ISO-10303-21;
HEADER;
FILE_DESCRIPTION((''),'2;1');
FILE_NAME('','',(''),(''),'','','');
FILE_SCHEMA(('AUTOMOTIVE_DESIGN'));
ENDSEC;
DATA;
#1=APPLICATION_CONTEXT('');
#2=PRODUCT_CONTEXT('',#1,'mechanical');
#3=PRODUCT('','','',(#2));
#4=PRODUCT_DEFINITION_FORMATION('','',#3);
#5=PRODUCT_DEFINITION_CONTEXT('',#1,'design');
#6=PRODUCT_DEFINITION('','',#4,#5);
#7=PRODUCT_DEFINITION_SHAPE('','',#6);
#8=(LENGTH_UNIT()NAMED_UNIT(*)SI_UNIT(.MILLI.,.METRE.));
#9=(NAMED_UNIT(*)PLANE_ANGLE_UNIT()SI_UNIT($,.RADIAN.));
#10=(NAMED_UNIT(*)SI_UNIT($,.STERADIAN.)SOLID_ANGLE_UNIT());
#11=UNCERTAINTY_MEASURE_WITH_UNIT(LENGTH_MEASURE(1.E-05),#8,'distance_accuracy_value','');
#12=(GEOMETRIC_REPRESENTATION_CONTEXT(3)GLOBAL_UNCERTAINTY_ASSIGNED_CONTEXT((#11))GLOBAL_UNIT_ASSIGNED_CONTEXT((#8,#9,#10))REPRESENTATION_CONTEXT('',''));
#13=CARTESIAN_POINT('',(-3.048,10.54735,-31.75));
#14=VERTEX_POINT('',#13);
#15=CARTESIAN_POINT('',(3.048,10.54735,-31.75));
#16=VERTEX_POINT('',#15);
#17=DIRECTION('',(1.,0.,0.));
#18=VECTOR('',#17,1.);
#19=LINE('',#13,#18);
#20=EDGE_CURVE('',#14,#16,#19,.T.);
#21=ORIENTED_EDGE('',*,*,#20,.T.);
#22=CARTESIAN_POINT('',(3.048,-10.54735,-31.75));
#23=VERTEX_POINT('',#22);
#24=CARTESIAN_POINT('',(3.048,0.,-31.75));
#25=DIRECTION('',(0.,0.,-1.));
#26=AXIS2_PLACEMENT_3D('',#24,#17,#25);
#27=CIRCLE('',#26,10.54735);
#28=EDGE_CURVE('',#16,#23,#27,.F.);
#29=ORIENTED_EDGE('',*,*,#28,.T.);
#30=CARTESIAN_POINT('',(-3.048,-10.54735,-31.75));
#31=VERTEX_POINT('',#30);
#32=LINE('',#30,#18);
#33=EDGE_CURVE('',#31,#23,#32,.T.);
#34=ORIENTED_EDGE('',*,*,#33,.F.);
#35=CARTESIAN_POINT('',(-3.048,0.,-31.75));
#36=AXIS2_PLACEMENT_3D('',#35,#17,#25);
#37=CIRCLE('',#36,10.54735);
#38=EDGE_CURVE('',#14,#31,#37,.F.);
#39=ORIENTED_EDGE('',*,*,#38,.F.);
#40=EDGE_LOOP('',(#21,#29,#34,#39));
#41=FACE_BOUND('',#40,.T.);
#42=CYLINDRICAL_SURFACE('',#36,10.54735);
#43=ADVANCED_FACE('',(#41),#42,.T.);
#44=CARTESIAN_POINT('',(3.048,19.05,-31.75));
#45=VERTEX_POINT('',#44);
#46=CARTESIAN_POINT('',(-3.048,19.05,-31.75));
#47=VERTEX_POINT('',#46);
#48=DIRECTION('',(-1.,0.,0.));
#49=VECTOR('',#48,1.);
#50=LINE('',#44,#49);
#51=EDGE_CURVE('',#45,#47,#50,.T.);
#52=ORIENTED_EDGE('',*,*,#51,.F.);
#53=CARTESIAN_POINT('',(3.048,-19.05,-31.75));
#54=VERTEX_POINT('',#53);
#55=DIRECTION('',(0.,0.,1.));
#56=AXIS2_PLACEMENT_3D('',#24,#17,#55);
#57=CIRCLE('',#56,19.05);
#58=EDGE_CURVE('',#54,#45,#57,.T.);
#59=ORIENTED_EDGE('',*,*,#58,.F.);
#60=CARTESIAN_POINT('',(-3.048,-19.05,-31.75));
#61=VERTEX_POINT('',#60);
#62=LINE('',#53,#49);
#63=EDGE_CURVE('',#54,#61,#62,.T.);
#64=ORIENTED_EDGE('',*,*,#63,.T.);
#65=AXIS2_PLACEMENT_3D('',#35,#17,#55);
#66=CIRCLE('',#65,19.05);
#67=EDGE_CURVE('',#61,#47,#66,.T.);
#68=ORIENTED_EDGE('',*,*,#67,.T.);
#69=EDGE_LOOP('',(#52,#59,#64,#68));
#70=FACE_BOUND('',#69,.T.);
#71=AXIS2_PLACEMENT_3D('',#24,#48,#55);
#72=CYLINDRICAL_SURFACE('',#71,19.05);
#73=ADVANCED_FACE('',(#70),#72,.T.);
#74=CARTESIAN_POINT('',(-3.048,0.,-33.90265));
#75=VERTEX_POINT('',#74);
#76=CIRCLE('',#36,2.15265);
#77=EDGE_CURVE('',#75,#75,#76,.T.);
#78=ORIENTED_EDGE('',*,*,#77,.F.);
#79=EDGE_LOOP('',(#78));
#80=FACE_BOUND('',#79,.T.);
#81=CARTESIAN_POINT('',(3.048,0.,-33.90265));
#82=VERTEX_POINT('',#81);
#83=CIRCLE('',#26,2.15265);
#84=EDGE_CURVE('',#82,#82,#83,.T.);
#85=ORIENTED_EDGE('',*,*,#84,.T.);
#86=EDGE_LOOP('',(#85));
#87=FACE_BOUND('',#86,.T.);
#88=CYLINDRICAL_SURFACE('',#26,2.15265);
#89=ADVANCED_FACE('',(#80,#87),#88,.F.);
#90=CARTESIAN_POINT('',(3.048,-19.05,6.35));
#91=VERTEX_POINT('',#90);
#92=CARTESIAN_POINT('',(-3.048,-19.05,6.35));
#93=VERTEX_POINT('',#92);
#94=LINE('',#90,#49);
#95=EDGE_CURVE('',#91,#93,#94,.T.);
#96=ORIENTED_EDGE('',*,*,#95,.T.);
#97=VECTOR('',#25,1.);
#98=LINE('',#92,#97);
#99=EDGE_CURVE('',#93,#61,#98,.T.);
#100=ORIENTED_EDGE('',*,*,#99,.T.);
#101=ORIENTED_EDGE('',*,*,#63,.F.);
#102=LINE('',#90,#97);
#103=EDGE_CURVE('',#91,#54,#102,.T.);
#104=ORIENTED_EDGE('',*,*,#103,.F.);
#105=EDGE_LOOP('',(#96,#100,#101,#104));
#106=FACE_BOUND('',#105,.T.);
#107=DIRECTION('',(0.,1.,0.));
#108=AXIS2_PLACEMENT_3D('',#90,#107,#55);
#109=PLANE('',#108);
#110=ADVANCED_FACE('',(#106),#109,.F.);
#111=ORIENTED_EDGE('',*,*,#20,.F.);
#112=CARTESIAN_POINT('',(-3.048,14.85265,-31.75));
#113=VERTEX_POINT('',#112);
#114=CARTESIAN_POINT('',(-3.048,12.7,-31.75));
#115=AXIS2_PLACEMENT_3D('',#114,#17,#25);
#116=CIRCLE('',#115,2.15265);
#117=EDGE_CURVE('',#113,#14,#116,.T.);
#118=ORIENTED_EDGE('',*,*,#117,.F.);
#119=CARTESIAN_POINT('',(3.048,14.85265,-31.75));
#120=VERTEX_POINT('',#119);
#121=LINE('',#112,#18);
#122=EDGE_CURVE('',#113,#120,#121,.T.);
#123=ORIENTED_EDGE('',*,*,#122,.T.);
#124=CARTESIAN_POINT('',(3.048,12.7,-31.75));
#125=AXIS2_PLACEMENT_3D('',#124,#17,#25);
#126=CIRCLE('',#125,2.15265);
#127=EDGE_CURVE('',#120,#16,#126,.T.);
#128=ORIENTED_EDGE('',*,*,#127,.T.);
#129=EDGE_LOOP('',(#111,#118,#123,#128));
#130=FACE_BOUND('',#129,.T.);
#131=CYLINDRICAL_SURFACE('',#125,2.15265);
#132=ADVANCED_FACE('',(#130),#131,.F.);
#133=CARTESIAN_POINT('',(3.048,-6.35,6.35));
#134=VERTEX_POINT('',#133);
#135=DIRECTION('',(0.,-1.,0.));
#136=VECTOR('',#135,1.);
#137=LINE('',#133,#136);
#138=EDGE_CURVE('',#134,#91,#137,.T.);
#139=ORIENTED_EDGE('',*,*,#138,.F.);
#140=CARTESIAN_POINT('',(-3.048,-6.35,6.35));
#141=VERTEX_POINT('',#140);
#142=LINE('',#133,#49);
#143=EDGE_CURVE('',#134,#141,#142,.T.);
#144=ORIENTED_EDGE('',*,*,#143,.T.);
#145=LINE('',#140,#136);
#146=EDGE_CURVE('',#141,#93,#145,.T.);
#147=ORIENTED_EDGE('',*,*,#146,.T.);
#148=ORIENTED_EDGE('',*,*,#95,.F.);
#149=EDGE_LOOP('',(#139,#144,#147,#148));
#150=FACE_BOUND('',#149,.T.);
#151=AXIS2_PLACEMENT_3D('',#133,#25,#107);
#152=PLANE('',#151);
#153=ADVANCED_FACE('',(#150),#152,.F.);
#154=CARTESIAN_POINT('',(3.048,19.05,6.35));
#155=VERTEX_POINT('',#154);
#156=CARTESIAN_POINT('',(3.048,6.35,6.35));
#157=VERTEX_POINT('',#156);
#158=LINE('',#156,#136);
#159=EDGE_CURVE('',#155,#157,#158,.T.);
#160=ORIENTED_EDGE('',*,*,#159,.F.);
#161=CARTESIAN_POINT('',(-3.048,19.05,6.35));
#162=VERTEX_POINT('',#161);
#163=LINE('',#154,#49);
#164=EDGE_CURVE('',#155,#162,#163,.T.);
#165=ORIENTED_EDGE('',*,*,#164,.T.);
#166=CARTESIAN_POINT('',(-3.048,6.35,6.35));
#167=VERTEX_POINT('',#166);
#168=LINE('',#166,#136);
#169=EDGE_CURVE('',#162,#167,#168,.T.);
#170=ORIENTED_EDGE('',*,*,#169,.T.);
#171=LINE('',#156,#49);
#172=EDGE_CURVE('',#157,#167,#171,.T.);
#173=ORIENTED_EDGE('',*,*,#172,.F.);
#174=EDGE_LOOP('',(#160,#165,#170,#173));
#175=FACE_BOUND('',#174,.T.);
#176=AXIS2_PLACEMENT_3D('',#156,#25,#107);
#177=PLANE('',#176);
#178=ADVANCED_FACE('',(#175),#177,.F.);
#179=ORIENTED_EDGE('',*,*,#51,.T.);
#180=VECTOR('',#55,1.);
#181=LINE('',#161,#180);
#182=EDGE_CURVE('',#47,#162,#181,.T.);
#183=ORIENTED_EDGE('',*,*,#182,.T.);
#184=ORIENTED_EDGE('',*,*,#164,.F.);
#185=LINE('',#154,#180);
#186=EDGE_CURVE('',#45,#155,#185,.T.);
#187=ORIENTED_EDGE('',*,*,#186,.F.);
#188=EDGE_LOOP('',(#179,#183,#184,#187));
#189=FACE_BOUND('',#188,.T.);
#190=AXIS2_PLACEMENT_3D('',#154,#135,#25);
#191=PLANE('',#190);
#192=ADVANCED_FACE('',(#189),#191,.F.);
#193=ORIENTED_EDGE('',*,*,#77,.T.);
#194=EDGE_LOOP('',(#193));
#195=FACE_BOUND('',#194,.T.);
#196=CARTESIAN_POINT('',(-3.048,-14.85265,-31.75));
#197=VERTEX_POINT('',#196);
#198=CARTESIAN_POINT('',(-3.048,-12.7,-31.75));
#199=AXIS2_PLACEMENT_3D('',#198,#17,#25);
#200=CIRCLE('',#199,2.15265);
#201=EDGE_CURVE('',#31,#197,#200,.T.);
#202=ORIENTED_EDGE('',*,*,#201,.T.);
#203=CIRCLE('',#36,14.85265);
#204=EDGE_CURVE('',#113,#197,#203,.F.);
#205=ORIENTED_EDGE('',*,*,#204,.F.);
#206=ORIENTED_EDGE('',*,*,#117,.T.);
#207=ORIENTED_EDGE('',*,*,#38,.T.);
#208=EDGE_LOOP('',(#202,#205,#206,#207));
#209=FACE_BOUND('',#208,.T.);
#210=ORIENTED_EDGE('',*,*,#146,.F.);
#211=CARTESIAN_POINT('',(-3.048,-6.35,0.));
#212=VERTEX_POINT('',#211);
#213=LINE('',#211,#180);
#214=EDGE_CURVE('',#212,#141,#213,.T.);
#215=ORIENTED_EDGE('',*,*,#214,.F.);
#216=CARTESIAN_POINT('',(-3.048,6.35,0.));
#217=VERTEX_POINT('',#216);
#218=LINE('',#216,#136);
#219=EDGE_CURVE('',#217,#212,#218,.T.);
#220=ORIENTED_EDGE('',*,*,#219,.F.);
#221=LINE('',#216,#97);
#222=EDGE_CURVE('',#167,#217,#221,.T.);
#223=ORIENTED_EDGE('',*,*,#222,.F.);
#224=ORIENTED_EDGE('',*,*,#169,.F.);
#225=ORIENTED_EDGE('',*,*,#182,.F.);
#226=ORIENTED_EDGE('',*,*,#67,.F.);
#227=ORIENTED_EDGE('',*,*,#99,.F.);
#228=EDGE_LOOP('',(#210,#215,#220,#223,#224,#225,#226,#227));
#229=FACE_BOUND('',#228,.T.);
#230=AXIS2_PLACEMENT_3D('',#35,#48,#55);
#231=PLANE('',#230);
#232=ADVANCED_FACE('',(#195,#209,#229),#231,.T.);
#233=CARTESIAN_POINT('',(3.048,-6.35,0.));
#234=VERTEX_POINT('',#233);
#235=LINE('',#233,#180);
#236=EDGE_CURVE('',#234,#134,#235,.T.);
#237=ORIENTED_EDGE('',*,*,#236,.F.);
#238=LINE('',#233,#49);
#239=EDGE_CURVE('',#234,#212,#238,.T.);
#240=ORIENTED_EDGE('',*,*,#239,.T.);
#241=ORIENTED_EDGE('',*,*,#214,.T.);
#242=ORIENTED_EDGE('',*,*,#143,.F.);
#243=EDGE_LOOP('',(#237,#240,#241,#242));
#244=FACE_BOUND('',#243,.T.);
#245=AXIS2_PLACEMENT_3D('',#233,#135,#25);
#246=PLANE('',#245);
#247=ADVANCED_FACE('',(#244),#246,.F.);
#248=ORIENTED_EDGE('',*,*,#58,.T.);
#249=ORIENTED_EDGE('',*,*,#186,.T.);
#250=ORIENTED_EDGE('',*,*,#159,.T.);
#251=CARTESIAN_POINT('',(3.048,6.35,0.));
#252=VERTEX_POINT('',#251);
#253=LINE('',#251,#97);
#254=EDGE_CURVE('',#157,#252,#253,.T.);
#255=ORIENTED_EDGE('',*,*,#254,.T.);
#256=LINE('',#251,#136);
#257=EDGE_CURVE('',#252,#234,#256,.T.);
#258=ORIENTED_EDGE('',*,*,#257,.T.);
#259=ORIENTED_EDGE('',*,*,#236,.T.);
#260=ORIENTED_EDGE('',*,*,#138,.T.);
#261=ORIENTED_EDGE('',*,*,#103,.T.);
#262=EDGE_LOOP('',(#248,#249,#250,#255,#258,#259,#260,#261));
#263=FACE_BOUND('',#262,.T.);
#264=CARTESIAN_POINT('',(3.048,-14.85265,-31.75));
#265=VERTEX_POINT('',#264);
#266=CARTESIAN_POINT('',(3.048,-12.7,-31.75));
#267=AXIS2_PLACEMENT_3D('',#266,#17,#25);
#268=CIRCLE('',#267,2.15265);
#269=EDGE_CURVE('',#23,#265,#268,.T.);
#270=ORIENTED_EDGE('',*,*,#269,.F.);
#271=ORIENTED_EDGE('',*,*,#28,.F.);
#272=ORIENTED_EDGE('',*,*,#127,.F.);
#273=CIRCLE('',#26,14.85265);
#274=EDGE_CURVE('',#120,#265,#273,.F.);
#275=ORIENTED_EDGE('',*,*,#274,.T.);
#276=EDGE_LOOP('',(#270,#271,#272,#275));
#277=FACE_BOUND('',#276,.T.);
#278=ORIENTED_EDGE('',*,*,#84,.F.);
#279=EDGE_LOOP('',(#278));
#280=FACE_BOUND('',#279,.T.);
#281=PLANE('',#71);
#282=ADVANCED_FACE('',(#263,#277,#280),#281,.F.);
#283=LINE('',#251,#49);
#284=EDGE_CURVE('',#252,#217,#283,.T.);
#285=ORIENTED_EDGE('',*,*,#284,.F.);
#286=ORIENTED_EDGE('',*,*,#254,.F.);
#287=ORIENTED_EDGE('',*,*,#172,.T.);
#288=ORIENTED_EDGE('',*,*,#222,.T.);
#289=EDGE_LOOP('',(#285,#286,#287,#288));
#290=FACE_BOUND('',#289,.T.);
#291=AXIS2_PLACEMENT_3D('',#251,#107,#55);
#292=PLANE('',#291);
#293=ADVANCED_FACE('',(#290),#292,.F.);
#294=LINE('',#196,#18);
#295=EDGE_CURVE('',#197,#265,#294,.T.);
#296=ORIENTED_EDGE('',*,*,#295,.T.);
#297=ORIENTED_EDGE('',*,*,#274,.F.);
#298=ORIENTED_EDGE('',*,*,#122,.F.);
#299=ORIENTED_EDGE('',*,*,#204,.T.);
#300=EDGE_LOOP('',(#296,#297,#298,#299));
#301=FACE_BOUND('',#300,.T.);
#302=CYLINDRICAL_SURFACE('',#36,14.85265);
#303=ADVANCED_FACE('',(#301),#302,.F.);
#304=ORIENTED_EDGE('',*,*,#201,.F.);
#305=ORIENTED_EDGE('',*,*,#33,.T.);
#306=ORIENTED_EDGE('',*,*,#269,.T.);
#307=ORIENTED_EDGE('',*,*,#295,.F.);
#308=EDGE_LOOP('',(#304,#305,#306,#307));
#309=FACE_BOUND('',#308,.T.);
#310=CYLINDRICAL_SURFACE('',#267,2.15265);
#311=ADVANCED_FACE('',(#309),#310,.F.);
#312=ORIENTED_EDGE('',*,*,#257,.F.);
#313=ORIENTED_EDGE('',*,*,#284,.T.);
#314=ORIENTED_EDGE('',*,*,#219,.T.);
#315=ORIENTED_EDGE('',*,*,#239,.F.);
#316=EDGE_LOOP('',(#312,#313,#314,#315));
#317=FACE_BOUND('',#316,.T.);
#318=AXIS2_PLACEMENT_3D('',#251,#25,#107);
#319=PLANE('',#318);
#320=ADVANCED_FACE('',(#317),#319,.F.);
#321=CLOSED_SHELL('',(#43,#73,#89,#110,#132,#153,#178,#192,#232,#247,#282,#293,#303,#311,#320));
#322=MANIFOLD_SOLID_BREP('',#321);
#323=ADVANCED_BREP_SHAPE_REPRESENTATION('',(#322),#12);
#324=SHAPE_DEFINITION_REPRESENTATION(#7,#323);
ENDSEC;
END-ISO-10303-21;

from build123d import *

# Parameters (mm, degrees)
BOSS_EXTRUDE1_DEPTH   = 3.048
F_8_CLEARANCE_HOLE1_D = 4.3053
CUT_EXTRUDE1_DEPTH    = 55.595821415


with BuildPart() as part:
    # Sketch1 → Boss-Extrude1 (new, symmetric)
    with BuildSketch(Plane(origin=(0, 0, 0), x_dir=(0, 0, -1), z_dir=(1, 0, 0))):
        with BuildLine():
            Line((0, 6.35), (0, -6.35))
            Line((0, -6.35), (-6.35, -6.35))
            Line((-6.35, -6.35), (-6.35, -19.05))
            Line((-6.35, -19.05), (31.75, -19.05))
            ThreePointArc((31.75, -19.05), (50.8, 0), (31.75, 19.05))
            Line((31.75, 19.05), (-6.35, 19.05))
            Line((-6.35, 19.05), (-6.35, 6.35))
            Line((-6.35, 6.35), (0, 6.35))
        make_face()
    extrude(amount=BOSS_EXTRUDE1_DEPTH, both=True)

    # #8 Clearance Hole1 (through all)
    with Locations(Plane(origin=(3.048, 0, 0), x_dir=(0, 0, -1), z_dir=(1, 0, 0))):
        with Locations((31.75, 0), (31.75, 12.7), (31.75, -12.7)):
            Hole(F_8_CLEARANCE_HOLE1_D / 2)

    # Sketch5 → Cut-Extrude1 (cut, through all)
    with BuildSketch(Plane(origin=(3.048, 0, 0), x_dir=(0, 0, -1), z_dir=(1, 0, 0))):
        with BuildLine():
            ThreePointArc((33.90265, 12.7), (33.272153413, 11.177846587), (31.75, 10.54735))
            ThreePointArc((31.75, 10.54735), (42.29735, 0), (31.75, -10.54735))
            ThreePointArc((31.75, -10.54735), (33.272153413, -11.177846587), (33.90265, -12.7))
            ThreePointArc((33.90265, -12.7), (33.272153413, -14.222153413), (31.75, -14.85265))
            ThreePointArc((31.75, -14.85265), (46.60265, 0), (31.75, 14.85265))
            ThreePointArc((31.75, 14.85265), (33.272153413, 14.222153413), (33.90265, 12.7))
        make_face()
    extrude(amount=-CUT_EXTRUDE1_DEPTH, mode=Mode.SUBTRACT)


solid = part.part
